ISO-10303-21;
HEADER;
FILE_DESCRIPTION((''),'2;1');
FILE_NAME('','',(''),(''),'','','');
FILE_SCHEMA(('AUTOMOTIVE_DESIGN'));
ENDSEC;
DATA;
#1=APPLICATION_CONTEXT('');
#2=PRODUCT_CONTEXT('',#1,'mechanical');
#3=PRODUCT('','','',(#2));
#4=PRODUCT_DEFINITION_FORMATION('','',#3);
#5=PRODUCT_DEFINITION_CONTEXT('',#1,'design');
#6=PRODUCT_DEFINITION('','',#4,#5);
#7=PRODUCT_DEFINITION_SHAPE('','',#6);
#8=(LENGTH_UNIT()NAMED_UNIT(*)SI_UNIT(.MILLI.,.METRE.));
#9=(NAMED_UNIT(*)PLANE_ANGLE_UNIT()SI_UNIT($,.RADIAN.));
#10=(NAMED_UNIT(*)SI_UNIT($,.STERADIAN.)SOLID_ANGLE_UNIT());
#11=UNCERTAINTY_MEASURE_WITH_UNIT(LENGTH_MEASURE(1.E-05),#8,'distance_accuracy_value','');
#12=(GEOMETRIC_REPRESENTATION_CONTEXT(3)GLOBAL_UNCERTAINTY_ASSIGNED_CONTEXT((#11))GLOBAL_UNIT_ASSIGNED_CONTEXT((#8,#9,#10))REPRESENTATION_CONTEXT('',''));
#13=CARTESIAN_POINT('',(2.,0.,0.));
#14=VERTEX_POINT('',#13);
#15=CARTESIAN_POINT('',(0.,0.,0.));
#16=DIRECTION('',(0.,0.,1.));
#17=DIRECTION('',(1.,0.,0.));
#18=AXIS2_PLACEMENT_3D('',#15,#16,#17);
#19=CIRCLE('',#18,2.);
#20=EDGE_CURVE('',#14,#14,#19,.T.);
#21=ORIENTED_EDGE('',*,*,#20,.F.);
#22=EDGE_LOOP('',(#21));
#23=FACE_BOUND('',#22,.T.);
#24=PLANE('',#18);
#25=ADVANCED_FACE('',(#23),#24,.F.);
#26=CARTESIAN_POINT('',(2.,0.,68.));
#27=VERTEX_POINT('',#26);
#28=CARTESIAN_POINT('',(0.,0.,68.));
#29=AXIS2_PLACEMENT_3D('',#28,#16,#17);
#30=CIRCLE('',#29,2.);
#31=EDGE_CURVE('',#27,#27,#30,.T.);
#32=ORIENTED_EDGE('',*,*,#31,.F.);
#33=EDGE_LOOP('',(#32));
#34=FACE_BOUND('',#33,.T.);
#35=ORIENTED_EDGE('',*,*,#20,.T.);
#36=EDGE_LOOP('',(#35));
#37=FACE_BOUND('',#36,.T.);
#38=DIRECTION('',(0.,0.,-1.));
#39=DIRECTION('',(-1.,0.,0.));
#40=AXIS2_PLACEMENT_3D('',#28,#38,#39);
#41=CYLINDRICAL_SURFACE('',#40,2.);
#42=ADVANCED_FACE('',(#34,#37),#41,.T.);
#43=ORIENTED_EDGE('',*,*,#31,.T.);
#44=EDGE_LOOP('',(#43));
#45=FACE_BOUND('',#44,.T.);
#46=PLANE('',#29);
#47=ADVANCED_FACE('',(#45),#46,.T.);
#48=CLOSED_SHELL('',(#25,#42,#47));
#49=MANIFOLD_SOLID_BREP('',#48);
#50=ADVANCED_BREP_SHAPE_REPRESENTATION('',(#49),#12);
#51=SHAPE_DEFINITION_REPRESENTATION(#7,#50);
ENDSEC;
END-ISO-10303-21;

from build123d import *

# Parameters (mm, degrees)
IZIM1_R                     = 2
Y_KSEKLIK_EKSTR_ZYON1_DEPTH = 68


with BuildPart() as part:
    # Çizim1 → Yükseklik-Ekstrüzyon1 (new body)
    with BuildSketch(Plane.XY):
        Circle(IZIM1_R)
    extrude(amount=Y_KSEKLIK_EKSTR_ZYON1_DEPTH)


solid = part.part
